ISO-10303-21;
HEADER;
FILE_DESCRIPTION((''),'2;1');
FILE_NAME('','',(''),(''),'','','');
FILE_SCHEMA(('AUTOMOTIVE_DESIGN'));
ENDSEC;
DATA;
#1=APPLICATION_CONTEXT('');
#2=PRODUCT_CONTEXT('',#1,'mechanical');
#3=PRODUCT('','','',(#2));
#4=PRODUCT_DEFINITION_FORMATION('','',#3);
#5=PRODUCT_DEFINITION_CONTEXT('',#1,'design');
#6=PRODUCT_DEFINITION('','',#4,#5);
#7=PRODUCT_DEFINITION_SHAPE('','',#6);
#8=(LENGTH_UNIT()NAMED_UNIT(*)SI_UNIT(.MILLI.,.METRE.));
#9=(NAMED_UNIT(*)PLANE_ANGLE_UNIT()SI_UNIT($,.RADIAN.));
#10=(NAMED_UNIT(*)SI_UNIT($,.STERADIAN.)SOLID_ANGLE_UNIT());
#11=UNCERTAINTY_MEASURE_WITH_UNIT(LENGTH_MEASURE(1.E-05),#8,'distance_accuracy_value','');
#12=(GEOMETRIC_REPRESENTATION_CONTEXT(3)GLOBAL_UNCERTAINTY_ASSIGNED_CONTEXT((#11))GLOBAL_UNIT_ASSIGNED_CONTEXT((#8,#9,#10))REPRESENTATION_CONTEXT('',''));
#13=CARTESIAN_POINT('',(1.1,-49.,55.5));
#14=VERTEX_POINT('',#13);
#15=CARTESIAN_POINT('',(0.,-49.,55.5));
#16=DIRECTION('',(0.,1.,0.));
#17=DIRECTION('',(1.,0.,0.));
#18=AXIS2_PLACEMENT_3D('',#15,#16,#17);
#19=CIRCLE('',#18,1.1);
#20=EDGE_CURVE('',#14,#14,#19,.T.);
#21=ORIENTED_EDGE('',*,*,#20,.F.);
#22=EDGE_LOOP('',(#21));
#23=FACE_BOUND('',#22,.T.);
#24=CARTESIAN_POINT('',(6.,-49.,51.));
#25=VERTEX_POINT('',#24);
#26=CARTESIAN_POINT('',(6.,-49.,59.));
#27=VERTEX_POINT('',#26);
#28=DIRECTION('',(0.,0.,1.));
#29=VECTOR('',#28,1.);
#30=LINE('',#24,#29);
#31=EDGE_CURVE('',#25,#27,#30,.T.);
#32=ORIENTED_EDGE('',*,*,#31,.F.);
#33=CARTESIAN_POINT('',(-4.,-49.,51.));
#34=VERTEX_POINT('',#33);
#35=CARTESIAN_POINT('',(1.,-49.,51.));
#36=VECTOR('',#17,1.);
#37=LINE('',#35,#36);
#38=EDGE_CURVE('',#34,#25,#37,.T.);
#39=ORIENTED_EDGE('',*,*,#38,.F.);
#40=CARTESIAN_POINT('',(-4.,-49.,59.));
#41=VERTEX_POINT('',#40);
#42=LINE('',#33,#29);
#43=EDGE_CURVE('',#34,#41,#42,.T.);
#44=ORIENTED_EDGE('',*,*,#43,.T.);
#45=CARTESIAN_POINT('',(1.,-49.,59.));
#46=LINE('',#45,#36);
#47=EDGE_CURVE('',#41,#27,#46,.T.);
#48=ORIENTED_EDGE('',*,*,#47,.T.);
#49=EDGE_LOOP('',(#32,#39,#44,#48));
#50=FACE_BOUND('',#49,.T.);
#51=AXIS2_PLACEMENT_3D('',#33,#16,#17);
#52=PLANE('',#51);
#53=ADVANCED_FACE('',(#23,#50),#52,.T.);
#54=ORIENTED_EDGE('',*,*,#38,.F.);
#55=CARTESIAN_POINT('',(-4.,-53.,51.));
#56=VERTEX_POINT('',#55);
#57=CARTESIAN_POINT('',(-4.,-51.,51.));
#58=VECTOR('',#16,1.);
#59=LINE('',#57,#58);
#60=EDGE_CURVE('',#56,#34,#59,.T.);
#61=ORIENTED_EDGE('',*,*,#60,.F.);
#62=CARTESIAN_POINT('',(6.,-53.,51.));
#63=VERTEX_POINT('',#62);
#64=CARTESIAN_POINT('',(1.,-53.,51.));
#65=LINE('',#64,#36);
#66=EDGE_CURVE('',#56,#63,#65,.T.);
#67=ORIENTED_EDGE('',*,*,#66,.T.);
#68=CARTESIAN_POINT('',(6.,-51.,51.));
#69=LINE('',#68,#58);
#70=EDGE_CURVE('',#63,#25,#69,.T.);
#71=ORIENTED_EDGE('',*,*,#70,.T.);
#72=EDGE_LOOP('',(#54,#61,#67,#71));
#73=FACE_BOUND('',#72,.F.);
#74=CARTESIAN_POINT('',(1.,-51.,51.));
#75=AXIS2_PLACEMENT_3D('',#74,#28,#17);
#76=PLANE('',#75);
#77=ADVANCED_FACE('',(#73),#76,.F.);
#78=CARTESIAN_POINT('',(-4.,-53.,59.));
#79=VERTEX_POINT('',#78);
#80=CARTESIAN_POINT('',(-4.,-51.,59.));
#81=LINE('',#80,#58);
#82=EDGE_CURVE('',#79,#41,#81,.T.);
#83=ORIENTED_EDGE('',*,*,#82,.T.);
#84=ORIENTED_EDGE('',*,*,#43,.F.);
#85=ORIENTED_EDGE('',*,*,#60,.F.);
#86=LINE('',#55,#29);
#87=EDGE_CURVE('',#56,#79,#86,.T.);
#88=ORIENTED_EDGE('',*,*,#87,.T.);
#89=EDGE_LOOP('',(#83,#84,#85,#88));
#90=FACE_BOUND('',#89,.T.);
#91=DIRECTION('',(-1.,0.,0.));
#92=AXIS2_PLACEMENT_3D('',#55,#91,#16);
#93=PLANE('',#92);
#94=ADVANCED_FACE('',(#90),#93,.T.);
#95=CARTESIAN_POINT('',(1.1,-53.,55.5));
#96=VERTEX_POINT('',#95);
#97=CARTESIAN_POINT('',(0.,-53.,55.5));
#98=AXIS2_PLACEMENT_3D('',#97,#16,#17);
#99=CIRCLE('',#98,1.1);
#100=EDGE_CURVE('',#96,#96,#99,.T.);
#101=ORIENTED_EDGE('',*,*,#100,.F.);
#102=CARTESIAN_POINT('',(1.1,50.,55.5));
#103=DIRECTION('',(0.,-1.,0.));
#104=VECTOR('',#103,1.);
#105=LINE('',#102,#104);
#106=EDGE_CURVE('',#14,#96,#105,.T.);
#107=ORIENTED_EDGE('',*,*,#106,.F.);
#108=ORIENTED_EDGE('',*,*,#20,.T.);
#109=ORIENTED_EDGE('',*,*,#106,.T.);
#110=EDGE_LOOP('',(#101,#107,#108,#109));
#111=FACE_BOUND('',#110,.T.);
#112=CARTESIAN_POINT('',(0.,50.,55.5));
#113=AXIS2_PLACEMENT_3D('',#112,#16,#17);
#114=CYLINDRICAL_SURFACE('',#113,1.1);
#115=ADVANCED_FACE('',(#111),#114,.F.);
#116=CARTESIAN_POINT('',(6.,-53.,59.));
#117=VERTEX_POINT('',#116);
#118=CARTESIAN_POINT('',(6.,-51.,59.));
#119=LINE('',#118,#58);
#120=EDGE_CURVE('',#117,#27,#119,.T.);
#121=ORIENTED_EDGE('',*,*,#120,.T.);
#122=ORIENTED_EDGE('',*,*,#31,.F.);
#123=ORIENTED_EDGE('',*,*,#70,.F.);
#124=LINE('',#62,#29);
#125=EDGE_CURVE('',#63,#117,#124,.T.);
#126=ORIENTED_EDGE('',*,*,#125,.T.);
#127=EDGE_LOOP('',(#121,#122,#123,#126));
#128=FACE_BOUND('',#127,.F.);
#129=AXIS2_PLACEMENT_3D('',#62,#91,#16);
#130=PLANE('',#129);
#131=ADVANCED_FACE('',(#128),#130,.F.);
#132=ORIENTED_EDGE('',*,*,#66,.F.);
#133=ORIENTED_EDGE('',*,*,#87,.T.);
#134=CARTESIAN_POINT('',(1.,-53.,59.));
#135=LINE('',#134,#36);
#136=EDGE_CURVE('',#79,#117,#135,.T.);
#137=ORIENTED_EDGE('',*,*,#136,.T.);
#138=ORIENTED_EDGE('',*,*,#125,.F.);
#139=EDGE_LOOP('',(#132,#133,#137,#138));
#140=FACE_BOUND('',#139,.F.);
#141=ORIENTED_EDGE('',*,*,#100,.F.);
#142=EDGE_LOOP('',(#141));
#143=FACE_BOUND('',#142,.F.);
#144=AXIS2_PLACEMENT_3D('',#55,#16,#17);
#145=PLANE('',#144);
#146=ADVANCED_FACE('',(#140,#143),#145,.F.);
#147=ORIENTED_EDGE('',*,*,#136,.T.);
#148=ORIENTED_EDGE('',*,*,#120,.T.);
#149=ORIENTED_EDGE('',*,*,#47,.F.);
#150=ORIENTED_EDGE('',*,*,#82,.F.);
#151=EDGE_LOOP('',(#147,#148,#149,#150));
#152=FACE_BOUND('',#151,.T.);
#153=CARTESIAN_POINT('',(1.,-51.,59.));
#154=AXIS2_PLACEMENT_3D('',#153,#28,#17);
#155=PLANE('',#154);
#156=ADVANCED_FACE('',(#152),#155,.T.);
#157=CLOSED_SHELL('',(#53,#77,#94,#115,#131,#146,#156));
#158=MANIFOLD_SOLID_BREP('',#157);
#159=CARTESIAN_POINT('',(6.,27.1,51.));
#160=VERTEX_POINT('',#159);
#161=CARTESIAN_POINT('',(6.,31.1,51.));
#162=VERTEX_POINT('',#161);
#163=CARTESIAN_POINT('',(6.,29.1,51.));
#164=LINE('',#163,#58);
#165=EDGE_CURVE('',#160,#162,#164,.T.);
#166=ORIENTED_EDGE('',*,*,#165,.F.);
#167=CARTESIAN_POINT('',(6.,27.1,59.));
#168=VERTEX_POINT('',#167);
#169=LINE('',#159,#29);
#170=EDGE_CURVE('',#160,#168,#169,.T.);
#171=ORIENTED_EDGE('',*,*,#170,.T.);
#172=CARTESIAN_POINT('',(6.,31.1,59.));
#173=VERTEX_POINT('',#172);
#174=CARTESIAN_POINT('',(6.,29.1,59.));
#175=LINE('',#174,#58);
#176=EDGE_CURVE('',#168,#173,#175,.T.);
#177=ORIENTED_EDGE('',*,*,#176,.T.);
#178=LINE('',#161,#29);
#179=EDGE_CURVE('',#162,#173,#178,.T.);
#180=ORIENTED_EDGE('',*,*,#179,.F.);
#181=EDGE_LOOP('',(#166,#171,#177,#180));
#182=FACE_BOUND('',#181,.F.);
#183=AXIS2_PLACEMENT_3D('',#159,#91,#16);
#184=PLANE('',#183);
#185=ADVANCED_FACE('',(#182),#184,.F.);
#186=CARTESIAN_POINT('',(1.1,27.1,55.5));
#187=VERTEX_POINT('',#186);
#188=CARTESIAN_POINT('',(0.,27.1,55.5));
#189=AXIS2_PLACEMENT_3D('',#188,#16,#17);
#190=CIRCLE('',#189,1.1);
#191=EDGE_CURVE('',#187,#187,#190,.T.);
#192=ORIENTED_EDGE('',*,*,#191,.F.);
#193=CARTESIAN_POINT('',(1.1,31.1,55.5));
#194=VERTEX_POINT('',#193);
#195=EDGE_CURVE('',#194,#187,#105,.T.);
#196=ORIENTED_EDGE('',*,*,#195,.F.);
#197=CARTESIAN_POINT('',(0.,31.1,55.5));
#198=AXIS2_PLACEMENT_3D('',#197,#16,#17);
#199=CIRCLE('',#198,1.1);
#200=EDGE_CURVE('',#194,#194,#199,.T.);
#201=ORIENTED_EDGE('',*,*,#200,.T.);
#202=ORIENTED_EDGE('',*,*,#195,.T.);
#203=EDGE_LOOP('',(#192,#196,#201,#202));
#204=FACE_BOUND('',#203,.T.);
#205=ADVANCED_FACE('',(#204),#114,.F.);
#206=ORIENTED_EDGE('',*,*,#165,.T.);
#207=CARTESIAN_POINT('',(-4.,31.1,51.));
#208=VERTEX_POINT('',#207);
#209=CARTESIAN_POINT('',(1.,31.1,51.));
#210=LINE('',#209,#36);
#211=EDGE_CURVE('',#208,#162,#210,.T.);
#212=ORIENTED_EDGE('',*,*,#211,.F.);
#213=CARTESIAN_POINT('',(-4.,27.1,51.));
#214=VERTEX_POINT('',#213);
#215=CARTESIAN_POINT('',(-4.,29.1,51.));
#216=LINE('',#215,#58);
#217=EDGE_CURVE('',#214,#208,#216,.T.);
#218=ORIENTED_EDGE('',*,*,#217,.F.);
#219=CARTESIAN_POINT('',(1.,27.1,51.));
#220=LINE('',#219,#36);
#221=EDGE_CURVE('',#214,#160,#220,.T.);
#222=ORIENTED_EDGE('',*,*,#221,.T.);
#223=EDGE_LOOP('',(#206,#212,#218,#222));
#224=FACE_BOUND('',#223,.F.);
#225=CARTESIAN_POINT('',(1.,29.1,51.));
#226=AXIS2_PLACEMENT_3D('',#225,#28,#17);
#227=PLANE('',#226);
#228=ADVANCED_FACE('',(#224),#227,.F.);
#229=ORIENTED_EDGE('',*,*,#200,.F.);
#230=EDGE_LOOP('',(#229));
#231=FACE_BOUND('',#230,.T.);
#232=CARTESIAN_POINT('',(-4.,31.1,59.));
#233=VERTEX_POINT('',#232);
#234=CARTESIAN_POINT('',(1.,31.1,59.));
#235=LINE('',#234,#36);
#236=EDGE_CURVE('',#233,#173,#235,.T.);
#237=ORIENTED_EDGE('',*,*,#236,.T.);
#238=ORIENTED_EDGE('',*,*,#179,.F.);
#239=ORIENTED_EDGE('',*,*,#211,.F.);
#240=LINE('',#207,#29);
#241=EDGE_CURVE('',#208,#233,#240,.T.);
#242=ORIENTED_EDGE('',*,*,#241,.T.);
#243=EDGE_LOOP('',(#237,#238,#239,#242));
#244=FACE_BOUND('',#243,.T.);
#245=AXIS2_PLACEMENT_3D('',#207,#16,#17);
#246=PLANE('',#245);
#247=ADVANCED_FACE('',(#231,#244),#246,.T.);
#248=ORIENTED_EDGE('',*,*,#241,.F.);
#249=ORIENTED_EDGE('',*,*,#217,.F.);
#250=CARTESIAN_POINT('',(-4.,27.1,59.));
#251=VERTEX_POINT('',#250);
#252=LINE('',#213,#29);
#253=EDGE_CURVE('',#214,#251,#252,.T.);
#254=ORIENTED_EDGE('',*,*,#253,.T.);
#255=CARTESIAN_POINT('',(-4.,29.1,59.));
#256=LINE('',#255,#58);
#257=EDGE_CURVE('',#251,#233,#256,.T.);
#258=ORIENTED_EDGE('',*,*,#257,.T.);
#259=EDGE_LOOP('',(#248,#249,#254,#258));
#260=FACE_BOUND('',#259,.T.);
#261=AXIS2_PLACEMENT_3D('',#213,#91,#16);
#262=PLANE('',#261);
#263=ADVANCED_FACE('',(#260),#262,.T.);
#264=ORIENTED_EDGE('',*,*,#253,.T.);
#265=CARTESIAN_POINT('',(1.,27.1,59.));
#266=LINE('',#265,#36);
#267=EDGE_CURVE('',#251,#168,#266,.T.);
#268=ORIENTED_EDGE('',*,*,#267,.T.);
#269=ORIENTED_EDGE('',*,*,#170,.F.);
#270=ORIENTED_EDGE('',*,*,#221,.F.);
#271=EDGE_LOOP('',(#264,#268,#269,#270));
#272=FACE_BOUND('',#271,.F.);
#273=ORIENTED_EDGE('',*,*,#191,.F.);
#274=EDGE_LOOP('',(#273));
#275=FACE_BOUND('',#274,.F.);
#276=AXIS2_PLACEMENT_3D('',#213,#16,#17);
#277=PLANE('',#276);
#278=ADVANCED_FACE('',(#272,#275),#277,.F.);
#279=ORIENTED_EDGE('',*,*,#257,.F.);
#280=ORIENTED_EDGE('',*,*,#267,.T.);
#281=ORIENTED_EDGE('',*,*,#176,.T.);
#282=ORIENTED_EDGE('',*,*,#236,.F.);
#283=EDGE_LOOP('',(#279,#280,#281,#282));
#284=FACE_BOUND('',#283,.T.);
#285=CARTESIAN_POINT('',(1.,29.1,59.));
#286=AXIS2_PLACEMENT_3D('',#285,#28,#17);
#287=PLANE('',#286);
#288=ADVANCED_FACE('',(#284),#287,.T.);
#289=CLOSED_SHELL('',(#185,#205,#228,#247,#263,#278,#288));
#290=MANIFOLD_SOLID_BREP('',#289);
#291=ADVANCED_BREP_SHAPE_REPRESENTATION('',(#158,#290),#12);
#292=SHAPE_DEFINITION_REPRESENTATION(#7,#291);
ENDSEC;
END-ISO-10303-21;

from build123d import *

# Parameters (mm, degrees)
CYLINDER_R     = 1.1
CYLINDER_DEPTH = 120
BOX004_W       = 10
BOX004_H       = 4
BOX004_DEPTH   = 8
ARRAY_Y_COUNT  = 2
ARRAY_Y_PITCH  = 80.1


with BuildPart() as cylinder:
    # Cylinder → Cylinder (new body)
    with BuildSketch(Plane(origin=(0, 50, 55.5), x_dir=(1, 0, 0), z_dir=(0, -1, 0))):
        Circle(CYLINDER_R)
    extrude(amount=CYLINDER_DEPTH)


with BuildPart() as cut001002:
    # Box004 → Box004 (new body)
    with BuildSketch(Plane(origin=(-4, -53, 51), x_dir=(1, 0, 0), z_dir=(0, 0, 1))):
        with Locations((5, 2)):
            Rectangle(BOX004_W, BOX004_H)
    extrude(amount=BOX004_DEPTH)

    # Array Y: Cut001002 ×2


with BuildPart() as cut001002_1:
    add(cut001002.part)
    with Locations(*[(0, i * ARRAY_Y_PITCH, 0) for i in range(1, ARRAY_Y_COUNT)]):
        add(cut001002.part)

    # Cut001002: cut Cylinder
    add(cylinder.part, mode=Mode.SUBTRACT)


solid = cut001002_1.part
